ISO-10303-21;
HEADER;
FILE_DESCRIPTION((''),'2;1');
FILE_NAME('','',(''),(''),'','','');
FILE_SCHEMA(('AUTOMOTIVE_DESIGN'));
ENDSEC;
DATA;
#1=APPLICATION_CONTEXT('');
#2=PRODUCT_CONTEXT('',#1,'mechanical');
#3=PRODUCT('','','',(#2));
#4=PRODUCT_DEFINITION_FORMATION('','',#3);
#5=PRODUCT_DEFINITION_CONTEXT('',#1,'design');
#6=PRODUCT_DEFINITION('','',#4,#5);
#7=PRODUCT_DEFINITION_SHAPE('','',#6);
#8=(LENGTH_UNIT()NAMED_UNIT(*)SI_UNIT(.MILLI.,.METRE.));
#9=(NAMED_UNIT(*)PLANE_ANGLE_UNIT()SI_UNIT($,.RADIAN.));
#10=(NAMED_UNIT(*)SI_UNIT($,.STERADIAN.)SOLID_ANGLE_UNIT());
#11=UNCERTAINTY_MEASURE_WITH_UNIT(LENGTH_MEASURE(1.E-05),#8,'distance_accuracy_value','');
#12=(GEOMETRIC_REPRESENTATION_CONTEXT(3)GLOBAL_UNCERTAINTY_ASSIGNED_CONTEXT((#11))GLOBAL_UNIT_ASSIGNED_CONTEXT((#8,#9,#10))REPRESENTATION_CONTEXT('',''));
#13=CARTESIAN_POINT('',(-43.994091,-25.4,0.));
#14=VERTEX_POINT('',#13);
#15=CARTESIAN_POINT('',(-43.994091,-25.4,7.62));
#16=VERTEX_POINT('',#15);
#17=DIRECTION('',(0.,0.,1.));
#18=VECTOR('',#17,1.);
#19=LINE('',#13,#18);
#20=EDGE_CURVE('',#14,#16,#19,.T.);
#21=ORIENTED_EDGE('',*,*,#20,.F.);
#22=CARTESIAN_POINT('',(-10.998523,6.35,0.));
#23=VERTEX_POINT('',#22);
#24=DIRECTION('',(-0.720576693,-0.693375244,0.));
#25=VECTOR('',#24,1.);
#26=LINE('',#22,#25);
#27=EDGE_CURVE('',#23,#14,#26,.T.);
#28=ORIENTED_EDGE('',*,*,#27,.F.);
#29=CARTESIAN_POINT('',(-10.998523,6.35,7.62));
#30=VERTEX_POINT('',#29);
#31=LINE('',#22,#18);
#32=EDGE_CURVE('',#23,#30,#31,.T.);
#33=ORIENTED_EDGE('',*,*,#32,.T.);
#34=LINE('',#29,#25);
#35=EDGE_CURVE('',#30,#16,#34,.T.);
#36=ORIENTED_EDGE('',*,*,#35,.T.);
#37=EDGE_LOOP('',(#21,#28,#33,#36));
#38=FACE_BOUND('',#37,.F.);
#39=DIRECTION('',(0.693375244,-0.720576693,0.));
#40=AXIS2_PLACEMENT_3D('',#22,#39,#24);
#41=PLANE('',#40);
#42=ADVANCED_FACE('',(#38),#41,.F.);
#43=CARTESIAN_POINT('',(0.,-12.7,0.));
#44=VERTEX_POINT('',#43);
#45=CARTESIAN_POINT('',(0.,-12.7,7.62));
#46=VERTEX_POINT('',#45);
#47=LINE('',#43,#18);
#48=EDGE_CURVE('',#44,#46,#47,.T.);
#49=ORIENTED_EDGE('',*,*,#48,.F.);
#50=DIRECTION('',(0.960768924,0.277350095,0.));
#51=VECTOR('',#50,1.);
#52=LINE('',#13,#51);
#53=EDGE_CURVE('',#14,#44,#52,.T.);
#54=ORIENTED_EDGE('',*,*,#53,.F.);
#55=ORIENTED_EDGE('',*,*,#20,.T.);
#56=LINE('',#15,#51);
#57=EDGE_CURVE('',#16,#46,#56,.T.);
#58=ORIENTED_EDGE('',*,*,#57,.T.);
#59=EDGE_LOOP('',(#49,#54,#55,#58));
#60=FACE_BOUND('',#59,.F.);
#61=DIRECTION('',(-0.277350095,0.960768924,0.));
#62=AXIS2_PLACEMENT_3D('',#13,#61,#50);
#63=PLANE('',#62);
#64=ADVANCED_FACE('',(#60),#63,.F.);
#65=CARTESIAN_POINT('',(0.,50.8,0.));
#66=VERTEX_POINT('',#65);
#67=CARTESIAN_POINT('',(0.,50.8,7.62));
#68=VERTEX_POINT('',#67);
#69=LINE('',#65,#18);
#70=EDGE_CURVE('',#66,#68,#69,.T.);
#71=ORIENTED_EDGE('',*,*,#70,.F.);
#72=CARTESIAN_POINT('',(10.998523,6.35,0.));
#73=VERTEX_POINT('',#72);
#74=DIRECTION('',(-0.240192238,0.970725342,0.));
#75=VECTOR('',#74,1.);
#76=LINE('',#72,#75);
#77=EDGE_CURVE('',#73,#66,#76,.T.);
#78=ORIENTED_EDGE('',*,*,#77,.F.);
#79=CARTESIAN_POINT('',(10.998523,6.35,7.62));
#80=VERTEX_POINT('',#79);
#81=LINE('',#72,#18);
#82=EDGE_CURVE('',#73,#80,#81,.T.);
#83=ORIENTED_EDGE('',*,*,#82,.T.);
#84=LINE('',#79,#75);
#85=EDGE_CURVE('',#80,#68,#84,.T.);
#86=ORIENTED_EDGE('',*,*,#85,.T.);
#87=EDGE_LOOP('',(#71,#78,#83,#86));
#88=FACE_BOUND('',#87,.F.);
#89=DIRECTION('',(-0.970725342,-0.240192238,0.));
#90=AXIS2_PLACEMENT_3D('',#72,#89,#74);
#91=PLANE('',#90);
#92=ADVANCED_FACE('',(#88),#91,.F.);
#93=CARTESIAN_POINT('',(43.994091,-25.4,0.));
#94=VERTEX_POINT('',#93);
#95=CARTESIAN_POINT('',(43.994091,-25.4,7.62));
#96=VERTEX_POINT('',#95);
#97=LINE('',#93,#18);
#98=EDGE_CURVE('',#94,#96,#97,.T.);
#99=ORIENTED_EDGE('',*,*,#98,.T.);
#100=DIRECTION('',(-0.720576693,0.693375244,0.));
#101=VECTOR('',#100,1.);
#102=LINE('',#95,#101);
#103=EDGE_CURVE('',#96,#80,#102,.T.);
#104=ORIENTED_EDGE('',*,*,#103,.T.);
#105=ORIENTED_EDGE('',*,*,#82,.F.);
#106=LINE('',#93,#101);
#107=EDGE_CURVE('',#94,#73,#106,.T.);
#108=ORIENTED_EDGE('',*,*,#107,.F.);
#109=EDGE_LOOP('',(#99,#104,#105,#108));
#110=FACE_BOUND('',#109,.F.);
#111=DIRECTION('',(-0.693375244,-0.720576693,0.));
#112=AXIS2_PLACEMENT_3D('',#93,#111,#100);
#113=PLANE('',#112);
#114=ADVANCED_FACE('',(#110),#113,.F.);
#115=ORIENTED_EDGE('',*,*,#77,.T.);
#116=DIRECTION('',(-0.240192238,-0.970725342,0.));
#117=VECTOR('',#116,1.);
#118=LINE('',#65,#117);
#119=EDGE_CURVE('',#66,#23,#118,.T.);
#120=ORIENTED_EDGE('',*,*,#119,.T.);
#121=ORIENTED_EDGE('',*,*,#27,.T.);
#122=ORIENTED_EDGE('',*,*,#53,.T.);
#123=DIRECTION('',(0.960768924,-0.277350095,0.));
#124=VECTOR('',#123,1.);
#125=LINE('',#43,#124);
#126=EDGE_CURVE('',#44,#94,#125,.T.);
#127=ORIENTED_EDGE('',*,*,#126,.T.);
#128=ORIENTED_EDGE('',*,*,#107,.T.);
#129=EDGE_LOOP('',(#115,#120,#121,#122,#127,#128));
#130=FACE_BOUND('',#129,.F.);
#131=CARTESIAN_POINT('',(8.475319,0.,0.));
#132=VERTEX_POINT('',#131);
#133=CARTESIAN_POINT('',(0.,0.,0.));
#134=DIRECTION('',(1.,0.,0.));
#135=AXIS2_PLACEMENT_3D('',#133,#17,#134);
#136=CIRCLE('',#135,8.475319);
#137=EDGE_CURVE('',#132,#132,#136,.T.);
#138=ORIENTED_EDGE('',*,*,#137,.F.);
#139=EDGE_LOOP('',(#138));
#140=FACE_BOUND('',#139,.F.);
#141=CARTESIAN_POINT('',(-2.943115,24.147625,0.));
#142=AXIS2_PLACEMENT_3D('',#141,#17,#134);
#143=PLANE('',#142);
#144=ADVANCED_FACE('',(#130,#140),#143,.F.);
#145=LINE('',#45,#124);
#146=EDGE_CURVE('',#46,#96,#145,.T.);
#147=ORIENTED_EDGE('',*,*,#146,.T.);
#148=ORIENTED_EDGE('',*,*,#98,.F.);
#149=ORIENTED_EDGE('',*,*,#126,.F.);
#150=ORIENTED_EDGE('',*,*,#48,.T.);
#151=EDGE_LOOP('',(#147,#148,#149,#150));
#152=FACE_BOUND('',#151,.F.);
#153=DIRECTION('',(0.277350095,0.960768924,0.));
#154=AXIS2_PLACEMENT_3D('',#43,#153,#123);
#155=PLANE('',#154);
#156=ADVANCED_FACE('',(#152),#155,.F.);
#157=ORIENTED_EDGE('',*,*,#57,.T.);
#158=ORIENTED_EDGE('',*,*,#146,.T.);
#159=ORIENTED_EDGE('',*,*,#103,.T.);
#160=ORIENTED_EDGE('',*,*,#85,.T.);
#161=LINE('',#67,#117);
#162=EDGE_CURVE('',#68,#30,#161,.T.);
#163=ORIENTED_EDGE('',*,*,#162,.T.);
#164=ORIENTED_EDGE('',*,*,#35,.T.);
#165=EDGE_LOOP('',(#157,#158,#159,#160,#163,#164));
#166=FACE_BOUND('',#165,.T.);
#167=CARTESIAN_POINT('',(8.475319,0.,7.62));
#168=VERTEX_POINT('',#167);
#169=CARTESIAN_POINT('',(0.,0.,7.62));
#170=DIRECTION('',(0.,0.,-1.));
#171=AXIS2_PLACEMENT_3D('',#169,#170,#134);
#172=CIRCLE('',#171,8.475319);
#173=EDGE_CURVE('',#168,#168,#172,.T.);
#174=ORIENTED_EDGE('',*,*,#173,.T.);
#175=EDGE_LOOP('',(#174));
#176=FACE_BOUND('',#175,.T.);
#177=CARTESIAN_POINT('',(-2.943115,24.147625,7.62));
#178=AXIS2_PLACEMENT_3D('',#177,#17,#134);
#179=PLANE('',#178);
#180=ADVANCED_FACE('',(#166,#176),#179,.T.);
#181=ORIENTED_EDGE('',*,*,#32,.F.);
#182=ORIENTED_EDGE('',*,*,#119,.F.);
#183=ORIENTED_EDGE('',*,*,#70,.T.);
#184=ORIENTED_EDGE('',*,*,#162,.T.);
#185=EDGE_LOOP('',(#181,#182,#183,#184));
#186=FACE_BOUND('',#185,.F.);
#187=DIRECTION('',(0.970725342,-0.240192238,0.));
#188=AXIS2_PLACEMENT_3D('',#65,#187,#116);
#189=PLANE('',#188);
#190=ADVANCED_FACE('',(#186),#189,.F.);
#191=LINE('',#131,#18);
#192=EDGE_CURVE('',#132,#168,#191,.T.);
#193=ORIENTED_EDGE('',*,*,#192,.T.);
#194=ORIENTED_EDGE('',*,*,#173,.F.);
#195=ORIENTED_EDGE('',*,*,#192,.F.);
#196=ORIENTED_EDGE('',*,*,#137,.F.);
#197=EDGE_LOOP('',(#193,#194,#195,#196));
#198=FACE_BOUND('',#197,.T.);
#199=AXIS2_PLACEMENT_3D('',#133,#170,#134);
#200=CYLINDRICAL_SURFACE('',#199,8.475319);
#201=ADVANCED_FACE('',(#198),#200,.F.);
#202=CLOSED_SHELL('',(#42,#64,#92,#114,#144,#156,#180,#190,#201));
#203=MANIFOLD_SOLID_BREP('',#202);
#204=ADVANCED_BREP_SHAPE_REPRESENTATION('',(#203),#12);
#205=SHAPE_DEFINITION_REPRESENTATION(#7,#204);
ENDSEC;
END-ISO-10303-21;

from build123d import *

# Parameters (mm, degrees)
F2_DEPTH = 7.62
F1_R     = 8.475319
F3_DEPTH = 73.914


with BuildPart() as f2:
    # F0 (on Top) → F2 (new body)
    with BuildSketch(Plane.XY):
        Polygon((-10.998523, 6.35), (0, 0), (0, 50.8), align=None)
        Polygon((-10.998523, 6.35), (-43.994091, -25.4), (0, 0), align=None)
        Polygon((0, 0), (-43.994091, -25.4), (0, -12.7), align=None)
        Polygon((43.994091, -25.4), (0, 0), (0, -12.7), align=None)
        Polygon((0, 50.8), (0, 0), (10.998523, 6.35), align=None)
        Polygon((10.998523, 6.35), (0, 0), (43.994091, -25.4), align=None)
    extrude(amount=F2_DEPTH)

    # F1 (on Top) → F3 (cut)
    with BuildSketch(Plane.XY):
        Circle(F1_R)
    extrude(amount=F3_DEPTH, mode=Mode.SUBTRACT)


solid = f2.part
